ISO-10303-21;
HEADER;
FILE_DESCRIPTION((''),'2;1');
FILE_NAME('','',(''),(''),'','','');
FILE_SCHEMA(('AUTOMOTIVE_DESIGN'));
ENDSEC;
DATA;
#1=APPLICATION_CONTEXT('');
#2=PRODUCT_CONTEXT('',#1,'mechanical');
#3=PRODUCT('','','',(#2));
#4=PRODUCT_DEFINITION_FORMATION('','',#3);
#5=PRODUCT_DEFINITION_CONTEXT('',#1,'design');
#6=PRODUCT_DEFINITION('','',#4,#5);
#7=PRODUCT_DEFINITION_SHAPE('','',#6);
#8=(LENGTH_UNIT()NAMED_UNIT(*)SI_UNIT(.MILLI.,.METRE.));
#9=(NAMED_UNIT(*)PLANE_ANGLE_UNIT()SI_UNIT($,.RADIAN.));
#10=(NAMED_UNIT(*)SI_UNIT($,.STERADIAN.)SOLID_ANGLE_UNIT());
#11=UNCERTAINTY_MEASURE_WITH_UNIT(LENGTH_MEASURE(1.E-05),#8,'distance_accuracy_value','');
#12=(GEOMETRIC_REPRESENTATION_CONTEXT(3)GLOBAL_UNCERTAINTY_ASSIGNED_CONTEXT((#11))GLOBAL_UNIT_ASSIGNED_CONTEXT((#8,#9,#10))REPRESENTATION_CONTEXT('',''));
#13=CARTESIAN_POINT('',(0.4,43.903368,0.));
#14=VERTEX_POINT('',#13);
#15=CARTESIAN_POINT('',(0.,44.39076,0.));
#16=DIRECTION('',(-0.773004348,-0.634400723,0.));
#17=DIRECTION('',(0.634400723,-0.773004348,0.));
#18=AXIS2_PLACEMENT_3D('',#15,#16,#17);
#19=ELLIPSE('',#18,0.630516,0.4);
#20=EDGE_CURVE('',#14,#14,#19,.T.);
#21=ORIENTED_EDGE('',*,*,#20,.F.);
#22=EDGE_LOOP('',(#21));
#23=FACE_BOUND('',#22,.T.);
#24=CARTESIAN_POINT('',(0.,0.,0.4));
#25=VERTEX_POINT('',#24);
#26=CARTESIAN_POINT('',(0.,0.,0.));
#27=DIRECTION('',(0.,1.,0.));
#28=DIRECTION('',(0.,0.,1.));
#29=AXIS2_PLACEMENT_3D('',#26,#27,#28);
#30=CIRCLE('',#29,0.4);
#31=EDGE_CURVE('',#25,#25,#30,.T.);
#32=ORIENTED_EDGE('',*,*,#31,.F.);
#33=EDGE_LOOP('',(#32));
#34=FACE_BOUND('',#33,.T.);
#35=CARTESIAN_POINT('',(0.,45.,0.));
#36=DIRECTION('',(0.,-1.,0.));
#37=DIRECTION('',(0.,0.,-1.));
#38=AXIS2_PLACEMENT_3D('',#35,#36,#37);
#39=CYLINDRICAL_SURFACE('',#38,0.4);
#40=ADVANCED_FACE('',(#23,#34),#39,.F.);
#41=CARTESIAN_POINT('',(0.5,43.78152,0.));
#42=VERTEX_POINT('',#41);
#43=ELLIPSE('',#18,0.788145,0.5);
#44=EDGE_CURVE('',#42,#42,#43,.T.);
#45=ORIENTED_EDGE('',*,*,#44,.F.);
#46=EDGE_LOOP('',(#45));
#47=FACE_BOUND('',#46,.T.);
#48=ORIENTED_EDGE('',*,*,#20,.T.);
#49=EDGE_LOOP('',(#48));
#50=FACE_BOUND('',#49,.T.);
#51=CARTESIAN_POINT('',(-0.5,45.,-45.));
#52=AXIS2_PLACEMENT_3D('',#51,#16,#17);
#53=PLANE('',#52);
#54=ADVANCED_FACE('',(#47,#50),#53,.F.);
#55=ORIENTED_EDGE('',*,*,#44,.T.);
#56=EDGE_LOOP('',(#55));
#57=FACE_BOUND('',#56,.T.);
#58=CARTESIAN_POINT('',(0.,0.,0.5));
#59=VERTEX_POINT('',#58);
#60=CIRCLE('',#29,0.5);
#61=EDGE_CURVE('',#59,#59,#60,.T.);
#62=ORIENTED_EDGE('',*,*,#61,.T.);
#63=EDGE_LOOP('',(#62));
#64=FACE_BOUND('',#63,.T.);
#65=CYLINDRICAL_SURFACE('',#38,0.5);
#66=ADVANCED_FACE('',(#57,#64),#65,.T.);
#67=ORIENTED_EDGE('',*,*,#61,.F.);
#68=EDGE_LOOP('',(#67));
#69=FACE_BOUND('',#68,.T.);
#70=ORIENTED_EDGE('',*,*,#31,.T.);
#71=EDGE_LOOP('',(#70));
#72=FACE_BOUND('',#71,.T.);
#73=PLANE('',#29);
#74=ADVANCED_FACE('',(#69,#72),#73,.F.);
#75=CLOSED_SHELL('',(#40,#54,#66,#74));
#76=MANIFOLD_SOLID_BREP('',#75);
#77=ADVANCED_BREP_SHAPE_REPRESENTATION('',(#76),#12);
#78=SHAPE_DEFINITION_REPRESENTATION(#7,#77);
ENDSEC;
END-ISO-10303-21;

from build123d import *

# Parameters (mm, degrees)
SKETCH1_R               = 0.5
EXTRUDE1_DEPTH          = 45
SHELL1_T                = -0.1
CUT_EXTRUDE1_DEPTH      = 45
CUT_EXTRUDE1_DEPTH_BACK = 45


with BuildPart() as part:
    # Sketch1 → Extrude1 (new body)
    with BuildSketch(Plane(origin=(0, 0, 0), x_dir=(1, 0, 0), z_dir=(0, 1, 0))):
        Circle(SKETCH1_R)
    extrude(amount=EXTRUDE1_DEPTH)

    # Shell1
    shell1_openings = [part.faces().sort_by_distance(p)[0] for p in [
        (0, 0, 0),
        (0, 45, 0),
    ]]
    offset(amount=SHELL1_T, openings=shell1_openings, kind=Kind.INTERSECTION)

    # Sketch2 → Cut-Extrude1 (cut, two sides: drawn at the far end of the back side and taken through both)
    with BuildSketch(Plane.XY.offset(-CUT_EXTRUDE1_DEPTH_BACK)):
        Polygon((-0.5, 45), (3.966783564, 39.557315291), (3.966783564, 46.045953815), align=None)
    extrude(amount=CUT_EXTRUDE1_DEPTH + CUT_EXTRUDE1_DEPTH_BACK, mode=Mode.SUBTRACT)


solid = part.part
